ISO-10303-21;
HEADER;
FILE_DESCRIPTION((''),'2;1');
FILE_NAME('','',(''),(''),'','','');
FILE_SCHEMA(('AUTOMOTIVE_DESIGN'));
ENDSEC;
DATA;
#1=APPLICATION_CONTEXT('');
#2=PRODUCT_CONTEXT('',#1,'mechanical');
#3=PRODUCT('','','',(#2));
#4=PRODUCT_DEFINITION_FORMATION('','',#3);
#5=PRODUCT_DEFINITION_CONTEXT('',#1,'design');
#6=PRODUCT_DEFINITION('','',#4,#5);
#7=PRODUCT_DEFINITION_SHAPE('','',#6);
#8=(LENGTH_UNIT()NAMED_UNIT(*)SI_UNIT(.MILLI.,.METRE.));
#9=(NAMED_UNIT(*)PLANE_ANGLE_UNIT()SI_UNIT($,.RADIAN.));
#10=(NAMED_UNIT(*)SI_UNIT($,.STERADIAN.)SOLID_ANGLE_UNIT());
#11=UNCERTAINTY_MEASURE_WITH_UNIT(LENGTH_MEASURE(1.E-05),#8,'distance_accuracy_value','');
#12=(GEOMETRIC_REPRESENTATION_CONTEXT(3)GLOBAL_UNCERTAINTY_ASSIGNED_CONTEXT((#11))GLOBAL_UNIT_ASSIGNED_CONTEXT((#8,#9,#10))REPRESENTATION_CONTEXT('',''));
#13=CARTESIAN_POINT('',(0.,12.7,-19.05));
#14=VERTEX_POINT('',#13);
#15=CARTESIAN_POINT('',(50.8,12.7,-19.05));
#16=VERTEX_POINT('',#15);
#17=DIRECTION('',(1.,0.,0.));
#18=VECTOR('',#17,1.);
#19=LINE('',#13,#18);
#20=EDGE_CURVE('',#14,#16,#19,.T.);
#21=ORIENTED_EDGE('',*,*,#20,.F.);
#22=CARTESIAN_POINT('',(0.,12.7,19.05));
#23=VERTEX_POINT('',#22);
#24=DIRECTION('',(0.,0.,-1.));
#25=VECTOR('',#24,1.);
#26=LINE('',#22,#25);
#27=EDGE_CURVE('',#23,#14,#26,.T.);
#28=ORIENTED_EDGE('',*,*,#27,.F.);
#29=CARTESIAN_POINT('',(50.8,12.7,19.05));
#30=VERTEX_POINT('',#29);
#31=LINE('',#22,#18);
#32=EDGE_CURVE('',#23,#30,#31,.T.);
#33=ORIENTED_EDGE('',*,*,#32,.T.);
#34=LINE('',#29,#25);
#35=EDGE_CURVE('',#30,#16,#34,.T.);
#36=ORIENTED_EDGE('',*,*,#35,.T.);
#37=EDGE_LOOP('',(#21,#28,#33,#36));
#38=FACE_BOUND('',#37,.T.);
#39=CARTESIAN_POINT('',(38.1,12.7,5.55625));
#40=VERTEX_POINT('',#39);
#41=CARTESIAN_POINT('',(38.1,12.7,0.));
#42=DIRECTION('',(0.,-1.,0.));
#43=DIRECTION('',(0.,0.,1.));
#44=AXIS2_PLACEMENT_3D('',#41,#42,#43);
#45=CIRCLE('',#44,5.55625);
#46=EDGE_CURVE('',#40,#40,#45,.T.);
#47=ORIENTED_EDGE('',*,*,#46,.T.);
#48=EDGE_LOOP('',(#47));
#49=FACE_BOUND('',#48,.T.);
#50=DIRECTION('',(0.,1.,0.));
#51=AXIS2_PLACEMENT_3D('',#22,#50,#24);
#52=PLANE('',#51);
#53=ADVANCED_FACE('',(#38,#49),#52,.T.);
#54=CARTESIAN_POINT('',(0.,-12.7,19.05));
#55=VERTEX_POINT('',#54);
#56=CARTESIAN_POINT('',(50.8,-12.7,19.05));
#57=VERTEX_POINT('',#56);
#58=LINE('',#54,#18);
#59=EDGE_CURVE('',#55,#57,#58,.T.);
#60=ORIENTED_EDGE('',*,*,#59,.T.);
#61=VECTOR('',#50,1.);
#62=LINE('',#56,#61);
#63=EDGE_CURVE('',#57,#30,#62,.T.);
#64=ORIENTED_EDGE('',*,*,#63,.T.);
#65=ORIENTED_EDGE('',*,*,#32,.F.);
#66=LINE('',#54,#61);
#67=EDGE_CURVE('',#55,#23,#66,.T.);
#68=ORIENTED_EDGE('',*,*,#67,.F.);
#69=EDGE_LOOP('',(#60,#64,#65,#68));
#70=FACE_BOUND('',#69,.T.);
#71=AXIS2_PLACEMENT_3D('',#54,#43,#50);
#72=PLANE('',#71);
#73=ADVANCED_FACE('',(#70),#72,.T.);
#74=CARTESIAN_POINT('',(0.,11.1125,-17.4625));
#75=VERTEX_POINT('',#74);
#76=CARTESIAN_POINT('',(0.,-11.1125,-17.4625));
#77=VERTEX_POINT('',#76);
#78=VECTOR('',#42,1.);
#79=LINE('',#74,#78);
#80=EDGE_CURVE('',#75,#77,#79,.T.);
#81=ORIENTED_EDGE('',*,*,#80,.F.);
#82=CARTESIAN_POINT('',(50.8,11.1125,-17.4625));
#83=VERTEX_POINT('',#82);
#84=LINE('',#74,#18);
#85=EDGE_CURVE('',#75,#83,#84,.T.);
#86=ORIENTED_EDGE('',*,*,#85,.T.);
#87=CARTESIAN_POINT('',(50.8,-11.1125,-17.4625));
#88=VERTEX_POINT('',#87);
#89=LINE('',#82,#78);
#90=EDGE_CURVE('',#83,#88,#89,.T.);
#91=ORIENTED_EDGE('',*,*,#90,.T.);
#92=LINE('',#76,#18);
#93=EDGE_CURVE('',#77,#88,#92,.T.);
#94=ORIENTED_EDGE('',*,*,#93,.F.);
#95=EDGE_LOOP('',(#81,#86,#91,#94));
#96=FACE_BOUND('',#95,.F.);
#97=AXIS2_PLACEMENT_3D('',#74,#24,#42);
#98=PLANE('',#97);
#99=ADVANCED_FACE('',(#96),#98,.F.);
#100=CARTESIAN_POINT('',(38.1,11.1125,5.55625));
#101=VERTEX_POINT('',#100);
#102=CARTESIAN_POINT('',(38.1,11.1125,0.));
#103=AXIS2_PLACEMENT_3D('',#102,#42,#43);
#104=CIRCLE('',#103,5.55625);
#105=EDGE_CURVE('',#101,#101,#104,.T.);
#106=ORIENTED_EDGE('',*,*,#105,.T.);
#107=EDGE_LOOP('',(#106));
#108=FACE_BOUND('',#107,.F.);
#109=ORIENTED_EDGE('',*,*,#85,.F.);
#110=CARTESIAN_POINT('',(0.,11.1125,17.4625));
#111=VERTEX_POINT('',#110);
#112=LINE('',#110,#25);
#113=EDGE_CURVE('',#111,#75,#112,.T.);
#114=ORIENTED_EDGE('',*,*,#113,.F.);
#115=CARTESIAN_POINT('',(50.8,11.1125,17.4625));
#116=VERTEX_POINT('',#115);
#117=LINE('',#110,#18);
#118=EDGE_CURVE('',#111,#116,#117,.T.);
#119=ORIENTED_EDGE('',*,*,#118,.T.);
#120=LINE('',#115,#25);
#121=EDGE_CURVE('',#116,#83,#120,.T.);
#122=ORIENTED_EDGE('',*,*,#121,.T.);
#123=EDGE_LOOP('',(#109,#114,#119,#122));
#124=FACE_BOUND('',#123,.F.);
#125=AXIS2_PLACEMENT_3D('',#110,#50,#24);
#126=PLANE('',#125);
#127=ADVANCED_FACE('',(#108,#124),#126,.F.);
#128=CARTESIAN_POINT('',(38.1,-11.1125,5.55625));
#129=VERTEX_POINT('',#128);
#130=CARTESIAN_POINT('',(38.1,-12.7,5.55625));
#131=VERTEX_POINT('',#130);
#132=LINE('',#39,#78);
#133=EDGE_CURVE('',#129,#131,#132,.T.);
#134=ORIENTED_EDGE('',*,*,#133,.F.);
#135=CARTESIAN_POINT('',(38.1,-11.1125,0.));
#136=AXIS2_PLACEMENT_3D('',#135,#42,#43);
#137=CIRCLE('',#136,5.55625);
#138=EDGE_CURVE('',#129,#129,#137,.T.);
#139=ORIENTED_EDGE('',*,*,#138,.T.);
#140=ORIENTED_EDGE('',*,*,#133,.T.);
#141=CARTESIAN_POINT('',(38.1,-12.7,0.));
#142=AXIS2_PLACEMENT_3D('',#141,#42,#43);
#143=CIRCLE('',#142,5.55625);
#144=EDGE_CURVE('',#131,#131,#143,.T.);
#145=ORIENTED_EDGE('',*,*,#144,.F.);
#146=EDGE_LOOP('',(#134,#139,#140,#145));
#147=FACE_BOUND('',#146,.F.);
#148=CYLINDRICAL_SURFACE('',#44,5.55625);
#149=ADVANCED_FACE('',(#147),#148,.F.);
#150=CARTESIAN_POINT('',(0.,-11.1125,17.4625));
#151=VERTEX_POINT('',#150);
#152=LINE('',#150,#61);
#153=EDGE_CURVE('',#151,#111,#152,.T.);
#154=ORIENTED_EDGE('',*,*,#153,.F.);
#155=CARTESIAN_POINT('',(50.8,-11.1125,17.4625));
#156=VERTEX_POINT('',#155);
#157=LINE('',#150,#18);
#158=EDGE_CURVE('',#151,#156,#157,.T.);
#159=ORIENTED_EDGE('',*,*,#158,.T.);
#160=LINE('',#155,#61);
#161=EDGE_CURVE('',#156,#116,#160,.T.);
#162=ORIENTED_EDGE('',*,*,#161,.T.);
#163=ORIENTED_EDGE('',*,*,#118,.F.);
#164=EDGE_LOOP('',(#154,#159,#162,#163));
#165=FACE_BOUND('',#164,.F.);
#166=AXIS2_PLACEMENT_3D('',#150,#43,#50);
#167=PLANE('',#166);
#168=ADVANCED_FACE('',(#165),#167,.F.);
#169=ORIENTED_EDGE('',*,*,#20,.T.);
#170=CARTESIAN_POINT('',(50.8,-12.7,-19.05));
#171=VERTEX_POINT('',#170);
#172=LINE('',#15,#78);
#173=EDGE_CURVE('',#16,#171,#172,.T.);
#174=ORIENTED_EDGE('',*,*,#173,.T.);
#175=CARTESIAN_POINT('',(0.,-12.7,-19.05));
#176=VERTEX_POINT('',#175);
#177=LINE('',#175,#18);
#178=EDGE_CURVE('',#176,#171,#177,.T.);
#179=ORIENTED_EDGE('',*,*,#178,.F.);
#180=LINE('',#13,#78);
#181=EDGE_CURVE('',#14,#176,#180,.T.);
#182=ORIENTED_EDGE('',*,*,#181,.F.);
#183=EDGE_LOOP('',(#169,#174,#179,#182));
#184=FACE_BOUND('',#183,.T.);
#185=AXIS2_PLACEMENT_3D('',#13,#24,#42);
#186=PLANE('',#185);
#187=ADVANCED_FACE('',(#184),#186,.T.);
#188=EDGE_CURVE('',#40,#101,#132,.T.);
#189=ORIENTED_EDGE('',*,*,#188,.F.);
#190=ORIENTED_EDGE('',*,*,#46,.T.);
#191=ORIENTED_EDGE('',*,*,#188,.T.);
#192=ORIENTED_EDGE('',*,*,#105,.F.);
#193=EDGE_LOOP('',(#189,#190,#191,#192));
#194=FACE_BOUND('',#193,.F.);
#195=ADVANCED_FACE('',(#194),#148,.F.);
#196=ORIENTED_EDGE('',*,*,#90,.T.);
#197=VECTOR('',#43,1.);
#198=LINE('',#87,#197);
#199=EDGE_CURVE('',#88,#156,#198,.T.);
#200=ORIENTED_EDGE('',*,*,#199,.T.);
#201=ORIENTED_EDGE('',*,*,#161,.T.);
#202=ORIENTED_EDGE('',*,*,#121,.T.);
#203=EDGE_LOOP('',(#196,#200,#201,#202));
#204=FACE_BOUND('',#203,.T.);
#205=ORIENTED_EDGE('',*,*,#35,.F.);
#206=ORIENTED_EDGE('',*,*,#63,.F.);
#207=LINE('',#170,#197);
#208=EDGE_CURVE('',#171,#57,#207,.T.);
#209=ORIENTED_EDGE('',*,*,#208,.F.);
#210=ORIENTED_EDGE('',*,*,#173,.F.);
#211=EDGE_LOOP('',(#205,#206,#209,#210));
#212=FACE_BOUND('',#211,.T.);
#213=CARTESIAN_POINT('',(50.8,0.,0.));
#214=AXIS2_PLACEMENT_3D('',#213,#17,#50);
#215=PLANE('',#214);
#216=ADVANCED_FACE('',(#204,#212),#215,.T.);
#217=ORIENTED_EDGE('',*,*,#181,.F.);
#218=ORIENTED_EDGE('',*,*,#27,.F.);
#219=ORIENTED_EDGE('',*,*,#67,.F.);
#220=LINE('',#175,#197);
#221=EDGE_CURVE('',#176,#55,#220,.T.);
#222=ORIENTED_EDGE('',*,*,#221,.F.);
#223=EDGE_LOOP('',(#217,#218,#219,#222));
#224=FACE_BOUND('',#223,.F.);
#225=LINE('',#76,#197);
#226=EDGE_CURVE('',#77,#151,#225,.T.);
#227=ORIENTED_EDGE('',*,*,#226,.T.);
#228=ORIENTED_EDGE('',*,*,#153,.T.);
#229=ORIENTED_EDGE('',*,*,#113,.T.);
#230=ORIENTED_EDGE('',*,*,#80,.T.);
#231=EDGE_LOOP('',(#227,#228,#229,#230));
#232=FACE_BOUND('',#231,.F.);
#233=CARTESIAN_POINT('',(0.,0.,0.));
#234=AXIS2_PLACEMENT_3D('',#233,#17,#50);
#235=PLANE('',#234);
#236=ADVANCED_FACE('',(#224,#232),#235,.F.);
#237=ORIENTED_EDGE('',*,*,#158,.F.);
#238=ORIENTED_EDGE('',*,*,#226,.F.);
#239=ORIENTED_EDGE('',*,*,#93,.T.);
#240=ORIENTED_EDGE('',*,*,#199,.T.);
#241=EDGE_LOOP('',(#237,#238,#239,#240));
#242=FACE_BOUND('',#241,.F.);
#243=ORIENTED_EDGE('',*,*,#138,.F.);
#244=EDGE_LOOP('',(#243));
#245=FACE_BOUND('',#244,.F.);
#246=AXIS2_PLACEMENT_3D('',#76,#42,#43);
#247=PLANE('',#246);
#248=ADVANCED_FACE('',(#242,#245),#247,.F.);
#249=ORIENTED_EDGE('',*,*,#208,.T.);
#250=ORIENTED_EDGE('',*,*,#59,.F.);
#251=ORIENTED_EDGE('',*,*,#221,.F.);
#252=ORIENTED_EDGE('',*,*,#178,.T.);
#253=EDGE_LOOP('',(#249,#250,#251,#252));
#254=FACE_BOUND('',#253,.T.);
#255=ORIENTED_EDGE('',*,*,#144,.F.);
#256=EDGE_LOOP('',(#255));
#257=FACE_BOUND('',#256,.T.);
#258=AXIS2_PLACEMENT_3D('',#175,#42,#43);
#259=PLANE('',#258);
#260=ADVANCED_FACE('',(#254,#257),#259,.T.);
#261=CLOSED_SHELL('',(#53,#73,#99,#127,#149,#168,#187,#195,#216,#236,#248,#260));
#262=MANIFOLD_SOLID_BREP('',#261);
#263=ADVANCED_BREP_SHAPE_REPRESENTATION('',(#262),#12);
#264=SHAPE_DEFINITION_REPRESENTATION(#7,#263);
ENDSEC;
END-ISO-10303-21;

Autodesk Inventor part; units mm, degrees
ref_plane "Work Plane3" through (0, 12.7, 0) normal (0, 1, 0) x (-1, 0, 0)
ref_plane "Start Plane" through (0, 0, 0) normal (1, 0, 0) x (0, 1, 0)
ref_plane "End Plane" through (50.8, 0, 0) normal (1, 0, 0) x (0, 1, 0)
sketch "Sketch" plane through (0, 0, 0) normal (1, 0, 0) x (0, 1, 0)
  line L0 (-12.7, 19.05) -> (12.7, 19.05)
  line L1 (12.7, 19.05) -> (12.7, -19.05)
  line L2 (12.7, -19.05) -> (-12.7, -19.05)
  line L3 (-12.7, -19.05) -> (-12.7, 19.05)
  line L4 (-12.7, 19.05) -> (12.7, -19.05) construction
  line L5 (12.7, 19.05) -> (-12.7, -19.05) construction
  line L6 (-11.1125, 17.4625) -> (11.1125, 17.4625)
  line L7 (11.1125, 17.4625) -> (11.1125, -17.4625)
  line L8 (11.1125, -17.4625) -> (-11.1125, -17.4625)
  line L9 (-11.1125, -17.4625) -> (-11.1125, 17.4625)
  line L10 (-11.1125, 17.4625) -> (11.1125, -17.4625) construction
  line L11 (11.1125, 17.4625) -> (-11.1125, -17.4625) construction
  point P0 (0, 0)
  dimension "d0" = 38.1
  dimension "d1" = 25.4
  dimension "d2" = 1.5875
  dimension "d3" = 1.5875
extrude "Body" add sketch "Sketch" along normal up to surface (50.8 mm away) from surface at 0
sketch "Sketch8" plane through (0, 0, 0) normal (1, 0, 0) x (0, 1, 0)
  line L0 (0, 0) -> (10, 0)
ref_plane "Work Plane6" through (0, 0, 0) normal (0, 0, -1) x (0, 1, 0)
sketch "Sketch9" plane through (0, 0, 0) normal (0, 0, -1) x (0, 1, 0)
  line L0 (-17.78, 0) -> (17.78, 0)
  line L1 (-17.78, 50.8) -> (17.78, 50.8)
  dimension "d21" = 50.8
sketch "Sketch5" plane through (0, 12.7, -19.05) normal (0, 1, 0) x (1, 0, 0)
  line L0 (0, -38.1) -> (0, 0) projected
  point P0 (0, -19.05)
  point P1 (38.1, -19.05)
  dimension "d22" = 38.1
hole "Hole2" at (38.1, 12.7, 0) direction (0, -1, 0) diameter 11.1125 end through all
equation "\"d3\" = d2"
equation "\"G_OFFSET_START\" = 0"
equation "\"G_OFFSET_END\" = 0"
equation "\"d17\" = d4 + G_OFFSET_END"
equation "\"G_L\" = d21"
equation "\"d4\" = 50.8"
properties part number "1605036389294"
